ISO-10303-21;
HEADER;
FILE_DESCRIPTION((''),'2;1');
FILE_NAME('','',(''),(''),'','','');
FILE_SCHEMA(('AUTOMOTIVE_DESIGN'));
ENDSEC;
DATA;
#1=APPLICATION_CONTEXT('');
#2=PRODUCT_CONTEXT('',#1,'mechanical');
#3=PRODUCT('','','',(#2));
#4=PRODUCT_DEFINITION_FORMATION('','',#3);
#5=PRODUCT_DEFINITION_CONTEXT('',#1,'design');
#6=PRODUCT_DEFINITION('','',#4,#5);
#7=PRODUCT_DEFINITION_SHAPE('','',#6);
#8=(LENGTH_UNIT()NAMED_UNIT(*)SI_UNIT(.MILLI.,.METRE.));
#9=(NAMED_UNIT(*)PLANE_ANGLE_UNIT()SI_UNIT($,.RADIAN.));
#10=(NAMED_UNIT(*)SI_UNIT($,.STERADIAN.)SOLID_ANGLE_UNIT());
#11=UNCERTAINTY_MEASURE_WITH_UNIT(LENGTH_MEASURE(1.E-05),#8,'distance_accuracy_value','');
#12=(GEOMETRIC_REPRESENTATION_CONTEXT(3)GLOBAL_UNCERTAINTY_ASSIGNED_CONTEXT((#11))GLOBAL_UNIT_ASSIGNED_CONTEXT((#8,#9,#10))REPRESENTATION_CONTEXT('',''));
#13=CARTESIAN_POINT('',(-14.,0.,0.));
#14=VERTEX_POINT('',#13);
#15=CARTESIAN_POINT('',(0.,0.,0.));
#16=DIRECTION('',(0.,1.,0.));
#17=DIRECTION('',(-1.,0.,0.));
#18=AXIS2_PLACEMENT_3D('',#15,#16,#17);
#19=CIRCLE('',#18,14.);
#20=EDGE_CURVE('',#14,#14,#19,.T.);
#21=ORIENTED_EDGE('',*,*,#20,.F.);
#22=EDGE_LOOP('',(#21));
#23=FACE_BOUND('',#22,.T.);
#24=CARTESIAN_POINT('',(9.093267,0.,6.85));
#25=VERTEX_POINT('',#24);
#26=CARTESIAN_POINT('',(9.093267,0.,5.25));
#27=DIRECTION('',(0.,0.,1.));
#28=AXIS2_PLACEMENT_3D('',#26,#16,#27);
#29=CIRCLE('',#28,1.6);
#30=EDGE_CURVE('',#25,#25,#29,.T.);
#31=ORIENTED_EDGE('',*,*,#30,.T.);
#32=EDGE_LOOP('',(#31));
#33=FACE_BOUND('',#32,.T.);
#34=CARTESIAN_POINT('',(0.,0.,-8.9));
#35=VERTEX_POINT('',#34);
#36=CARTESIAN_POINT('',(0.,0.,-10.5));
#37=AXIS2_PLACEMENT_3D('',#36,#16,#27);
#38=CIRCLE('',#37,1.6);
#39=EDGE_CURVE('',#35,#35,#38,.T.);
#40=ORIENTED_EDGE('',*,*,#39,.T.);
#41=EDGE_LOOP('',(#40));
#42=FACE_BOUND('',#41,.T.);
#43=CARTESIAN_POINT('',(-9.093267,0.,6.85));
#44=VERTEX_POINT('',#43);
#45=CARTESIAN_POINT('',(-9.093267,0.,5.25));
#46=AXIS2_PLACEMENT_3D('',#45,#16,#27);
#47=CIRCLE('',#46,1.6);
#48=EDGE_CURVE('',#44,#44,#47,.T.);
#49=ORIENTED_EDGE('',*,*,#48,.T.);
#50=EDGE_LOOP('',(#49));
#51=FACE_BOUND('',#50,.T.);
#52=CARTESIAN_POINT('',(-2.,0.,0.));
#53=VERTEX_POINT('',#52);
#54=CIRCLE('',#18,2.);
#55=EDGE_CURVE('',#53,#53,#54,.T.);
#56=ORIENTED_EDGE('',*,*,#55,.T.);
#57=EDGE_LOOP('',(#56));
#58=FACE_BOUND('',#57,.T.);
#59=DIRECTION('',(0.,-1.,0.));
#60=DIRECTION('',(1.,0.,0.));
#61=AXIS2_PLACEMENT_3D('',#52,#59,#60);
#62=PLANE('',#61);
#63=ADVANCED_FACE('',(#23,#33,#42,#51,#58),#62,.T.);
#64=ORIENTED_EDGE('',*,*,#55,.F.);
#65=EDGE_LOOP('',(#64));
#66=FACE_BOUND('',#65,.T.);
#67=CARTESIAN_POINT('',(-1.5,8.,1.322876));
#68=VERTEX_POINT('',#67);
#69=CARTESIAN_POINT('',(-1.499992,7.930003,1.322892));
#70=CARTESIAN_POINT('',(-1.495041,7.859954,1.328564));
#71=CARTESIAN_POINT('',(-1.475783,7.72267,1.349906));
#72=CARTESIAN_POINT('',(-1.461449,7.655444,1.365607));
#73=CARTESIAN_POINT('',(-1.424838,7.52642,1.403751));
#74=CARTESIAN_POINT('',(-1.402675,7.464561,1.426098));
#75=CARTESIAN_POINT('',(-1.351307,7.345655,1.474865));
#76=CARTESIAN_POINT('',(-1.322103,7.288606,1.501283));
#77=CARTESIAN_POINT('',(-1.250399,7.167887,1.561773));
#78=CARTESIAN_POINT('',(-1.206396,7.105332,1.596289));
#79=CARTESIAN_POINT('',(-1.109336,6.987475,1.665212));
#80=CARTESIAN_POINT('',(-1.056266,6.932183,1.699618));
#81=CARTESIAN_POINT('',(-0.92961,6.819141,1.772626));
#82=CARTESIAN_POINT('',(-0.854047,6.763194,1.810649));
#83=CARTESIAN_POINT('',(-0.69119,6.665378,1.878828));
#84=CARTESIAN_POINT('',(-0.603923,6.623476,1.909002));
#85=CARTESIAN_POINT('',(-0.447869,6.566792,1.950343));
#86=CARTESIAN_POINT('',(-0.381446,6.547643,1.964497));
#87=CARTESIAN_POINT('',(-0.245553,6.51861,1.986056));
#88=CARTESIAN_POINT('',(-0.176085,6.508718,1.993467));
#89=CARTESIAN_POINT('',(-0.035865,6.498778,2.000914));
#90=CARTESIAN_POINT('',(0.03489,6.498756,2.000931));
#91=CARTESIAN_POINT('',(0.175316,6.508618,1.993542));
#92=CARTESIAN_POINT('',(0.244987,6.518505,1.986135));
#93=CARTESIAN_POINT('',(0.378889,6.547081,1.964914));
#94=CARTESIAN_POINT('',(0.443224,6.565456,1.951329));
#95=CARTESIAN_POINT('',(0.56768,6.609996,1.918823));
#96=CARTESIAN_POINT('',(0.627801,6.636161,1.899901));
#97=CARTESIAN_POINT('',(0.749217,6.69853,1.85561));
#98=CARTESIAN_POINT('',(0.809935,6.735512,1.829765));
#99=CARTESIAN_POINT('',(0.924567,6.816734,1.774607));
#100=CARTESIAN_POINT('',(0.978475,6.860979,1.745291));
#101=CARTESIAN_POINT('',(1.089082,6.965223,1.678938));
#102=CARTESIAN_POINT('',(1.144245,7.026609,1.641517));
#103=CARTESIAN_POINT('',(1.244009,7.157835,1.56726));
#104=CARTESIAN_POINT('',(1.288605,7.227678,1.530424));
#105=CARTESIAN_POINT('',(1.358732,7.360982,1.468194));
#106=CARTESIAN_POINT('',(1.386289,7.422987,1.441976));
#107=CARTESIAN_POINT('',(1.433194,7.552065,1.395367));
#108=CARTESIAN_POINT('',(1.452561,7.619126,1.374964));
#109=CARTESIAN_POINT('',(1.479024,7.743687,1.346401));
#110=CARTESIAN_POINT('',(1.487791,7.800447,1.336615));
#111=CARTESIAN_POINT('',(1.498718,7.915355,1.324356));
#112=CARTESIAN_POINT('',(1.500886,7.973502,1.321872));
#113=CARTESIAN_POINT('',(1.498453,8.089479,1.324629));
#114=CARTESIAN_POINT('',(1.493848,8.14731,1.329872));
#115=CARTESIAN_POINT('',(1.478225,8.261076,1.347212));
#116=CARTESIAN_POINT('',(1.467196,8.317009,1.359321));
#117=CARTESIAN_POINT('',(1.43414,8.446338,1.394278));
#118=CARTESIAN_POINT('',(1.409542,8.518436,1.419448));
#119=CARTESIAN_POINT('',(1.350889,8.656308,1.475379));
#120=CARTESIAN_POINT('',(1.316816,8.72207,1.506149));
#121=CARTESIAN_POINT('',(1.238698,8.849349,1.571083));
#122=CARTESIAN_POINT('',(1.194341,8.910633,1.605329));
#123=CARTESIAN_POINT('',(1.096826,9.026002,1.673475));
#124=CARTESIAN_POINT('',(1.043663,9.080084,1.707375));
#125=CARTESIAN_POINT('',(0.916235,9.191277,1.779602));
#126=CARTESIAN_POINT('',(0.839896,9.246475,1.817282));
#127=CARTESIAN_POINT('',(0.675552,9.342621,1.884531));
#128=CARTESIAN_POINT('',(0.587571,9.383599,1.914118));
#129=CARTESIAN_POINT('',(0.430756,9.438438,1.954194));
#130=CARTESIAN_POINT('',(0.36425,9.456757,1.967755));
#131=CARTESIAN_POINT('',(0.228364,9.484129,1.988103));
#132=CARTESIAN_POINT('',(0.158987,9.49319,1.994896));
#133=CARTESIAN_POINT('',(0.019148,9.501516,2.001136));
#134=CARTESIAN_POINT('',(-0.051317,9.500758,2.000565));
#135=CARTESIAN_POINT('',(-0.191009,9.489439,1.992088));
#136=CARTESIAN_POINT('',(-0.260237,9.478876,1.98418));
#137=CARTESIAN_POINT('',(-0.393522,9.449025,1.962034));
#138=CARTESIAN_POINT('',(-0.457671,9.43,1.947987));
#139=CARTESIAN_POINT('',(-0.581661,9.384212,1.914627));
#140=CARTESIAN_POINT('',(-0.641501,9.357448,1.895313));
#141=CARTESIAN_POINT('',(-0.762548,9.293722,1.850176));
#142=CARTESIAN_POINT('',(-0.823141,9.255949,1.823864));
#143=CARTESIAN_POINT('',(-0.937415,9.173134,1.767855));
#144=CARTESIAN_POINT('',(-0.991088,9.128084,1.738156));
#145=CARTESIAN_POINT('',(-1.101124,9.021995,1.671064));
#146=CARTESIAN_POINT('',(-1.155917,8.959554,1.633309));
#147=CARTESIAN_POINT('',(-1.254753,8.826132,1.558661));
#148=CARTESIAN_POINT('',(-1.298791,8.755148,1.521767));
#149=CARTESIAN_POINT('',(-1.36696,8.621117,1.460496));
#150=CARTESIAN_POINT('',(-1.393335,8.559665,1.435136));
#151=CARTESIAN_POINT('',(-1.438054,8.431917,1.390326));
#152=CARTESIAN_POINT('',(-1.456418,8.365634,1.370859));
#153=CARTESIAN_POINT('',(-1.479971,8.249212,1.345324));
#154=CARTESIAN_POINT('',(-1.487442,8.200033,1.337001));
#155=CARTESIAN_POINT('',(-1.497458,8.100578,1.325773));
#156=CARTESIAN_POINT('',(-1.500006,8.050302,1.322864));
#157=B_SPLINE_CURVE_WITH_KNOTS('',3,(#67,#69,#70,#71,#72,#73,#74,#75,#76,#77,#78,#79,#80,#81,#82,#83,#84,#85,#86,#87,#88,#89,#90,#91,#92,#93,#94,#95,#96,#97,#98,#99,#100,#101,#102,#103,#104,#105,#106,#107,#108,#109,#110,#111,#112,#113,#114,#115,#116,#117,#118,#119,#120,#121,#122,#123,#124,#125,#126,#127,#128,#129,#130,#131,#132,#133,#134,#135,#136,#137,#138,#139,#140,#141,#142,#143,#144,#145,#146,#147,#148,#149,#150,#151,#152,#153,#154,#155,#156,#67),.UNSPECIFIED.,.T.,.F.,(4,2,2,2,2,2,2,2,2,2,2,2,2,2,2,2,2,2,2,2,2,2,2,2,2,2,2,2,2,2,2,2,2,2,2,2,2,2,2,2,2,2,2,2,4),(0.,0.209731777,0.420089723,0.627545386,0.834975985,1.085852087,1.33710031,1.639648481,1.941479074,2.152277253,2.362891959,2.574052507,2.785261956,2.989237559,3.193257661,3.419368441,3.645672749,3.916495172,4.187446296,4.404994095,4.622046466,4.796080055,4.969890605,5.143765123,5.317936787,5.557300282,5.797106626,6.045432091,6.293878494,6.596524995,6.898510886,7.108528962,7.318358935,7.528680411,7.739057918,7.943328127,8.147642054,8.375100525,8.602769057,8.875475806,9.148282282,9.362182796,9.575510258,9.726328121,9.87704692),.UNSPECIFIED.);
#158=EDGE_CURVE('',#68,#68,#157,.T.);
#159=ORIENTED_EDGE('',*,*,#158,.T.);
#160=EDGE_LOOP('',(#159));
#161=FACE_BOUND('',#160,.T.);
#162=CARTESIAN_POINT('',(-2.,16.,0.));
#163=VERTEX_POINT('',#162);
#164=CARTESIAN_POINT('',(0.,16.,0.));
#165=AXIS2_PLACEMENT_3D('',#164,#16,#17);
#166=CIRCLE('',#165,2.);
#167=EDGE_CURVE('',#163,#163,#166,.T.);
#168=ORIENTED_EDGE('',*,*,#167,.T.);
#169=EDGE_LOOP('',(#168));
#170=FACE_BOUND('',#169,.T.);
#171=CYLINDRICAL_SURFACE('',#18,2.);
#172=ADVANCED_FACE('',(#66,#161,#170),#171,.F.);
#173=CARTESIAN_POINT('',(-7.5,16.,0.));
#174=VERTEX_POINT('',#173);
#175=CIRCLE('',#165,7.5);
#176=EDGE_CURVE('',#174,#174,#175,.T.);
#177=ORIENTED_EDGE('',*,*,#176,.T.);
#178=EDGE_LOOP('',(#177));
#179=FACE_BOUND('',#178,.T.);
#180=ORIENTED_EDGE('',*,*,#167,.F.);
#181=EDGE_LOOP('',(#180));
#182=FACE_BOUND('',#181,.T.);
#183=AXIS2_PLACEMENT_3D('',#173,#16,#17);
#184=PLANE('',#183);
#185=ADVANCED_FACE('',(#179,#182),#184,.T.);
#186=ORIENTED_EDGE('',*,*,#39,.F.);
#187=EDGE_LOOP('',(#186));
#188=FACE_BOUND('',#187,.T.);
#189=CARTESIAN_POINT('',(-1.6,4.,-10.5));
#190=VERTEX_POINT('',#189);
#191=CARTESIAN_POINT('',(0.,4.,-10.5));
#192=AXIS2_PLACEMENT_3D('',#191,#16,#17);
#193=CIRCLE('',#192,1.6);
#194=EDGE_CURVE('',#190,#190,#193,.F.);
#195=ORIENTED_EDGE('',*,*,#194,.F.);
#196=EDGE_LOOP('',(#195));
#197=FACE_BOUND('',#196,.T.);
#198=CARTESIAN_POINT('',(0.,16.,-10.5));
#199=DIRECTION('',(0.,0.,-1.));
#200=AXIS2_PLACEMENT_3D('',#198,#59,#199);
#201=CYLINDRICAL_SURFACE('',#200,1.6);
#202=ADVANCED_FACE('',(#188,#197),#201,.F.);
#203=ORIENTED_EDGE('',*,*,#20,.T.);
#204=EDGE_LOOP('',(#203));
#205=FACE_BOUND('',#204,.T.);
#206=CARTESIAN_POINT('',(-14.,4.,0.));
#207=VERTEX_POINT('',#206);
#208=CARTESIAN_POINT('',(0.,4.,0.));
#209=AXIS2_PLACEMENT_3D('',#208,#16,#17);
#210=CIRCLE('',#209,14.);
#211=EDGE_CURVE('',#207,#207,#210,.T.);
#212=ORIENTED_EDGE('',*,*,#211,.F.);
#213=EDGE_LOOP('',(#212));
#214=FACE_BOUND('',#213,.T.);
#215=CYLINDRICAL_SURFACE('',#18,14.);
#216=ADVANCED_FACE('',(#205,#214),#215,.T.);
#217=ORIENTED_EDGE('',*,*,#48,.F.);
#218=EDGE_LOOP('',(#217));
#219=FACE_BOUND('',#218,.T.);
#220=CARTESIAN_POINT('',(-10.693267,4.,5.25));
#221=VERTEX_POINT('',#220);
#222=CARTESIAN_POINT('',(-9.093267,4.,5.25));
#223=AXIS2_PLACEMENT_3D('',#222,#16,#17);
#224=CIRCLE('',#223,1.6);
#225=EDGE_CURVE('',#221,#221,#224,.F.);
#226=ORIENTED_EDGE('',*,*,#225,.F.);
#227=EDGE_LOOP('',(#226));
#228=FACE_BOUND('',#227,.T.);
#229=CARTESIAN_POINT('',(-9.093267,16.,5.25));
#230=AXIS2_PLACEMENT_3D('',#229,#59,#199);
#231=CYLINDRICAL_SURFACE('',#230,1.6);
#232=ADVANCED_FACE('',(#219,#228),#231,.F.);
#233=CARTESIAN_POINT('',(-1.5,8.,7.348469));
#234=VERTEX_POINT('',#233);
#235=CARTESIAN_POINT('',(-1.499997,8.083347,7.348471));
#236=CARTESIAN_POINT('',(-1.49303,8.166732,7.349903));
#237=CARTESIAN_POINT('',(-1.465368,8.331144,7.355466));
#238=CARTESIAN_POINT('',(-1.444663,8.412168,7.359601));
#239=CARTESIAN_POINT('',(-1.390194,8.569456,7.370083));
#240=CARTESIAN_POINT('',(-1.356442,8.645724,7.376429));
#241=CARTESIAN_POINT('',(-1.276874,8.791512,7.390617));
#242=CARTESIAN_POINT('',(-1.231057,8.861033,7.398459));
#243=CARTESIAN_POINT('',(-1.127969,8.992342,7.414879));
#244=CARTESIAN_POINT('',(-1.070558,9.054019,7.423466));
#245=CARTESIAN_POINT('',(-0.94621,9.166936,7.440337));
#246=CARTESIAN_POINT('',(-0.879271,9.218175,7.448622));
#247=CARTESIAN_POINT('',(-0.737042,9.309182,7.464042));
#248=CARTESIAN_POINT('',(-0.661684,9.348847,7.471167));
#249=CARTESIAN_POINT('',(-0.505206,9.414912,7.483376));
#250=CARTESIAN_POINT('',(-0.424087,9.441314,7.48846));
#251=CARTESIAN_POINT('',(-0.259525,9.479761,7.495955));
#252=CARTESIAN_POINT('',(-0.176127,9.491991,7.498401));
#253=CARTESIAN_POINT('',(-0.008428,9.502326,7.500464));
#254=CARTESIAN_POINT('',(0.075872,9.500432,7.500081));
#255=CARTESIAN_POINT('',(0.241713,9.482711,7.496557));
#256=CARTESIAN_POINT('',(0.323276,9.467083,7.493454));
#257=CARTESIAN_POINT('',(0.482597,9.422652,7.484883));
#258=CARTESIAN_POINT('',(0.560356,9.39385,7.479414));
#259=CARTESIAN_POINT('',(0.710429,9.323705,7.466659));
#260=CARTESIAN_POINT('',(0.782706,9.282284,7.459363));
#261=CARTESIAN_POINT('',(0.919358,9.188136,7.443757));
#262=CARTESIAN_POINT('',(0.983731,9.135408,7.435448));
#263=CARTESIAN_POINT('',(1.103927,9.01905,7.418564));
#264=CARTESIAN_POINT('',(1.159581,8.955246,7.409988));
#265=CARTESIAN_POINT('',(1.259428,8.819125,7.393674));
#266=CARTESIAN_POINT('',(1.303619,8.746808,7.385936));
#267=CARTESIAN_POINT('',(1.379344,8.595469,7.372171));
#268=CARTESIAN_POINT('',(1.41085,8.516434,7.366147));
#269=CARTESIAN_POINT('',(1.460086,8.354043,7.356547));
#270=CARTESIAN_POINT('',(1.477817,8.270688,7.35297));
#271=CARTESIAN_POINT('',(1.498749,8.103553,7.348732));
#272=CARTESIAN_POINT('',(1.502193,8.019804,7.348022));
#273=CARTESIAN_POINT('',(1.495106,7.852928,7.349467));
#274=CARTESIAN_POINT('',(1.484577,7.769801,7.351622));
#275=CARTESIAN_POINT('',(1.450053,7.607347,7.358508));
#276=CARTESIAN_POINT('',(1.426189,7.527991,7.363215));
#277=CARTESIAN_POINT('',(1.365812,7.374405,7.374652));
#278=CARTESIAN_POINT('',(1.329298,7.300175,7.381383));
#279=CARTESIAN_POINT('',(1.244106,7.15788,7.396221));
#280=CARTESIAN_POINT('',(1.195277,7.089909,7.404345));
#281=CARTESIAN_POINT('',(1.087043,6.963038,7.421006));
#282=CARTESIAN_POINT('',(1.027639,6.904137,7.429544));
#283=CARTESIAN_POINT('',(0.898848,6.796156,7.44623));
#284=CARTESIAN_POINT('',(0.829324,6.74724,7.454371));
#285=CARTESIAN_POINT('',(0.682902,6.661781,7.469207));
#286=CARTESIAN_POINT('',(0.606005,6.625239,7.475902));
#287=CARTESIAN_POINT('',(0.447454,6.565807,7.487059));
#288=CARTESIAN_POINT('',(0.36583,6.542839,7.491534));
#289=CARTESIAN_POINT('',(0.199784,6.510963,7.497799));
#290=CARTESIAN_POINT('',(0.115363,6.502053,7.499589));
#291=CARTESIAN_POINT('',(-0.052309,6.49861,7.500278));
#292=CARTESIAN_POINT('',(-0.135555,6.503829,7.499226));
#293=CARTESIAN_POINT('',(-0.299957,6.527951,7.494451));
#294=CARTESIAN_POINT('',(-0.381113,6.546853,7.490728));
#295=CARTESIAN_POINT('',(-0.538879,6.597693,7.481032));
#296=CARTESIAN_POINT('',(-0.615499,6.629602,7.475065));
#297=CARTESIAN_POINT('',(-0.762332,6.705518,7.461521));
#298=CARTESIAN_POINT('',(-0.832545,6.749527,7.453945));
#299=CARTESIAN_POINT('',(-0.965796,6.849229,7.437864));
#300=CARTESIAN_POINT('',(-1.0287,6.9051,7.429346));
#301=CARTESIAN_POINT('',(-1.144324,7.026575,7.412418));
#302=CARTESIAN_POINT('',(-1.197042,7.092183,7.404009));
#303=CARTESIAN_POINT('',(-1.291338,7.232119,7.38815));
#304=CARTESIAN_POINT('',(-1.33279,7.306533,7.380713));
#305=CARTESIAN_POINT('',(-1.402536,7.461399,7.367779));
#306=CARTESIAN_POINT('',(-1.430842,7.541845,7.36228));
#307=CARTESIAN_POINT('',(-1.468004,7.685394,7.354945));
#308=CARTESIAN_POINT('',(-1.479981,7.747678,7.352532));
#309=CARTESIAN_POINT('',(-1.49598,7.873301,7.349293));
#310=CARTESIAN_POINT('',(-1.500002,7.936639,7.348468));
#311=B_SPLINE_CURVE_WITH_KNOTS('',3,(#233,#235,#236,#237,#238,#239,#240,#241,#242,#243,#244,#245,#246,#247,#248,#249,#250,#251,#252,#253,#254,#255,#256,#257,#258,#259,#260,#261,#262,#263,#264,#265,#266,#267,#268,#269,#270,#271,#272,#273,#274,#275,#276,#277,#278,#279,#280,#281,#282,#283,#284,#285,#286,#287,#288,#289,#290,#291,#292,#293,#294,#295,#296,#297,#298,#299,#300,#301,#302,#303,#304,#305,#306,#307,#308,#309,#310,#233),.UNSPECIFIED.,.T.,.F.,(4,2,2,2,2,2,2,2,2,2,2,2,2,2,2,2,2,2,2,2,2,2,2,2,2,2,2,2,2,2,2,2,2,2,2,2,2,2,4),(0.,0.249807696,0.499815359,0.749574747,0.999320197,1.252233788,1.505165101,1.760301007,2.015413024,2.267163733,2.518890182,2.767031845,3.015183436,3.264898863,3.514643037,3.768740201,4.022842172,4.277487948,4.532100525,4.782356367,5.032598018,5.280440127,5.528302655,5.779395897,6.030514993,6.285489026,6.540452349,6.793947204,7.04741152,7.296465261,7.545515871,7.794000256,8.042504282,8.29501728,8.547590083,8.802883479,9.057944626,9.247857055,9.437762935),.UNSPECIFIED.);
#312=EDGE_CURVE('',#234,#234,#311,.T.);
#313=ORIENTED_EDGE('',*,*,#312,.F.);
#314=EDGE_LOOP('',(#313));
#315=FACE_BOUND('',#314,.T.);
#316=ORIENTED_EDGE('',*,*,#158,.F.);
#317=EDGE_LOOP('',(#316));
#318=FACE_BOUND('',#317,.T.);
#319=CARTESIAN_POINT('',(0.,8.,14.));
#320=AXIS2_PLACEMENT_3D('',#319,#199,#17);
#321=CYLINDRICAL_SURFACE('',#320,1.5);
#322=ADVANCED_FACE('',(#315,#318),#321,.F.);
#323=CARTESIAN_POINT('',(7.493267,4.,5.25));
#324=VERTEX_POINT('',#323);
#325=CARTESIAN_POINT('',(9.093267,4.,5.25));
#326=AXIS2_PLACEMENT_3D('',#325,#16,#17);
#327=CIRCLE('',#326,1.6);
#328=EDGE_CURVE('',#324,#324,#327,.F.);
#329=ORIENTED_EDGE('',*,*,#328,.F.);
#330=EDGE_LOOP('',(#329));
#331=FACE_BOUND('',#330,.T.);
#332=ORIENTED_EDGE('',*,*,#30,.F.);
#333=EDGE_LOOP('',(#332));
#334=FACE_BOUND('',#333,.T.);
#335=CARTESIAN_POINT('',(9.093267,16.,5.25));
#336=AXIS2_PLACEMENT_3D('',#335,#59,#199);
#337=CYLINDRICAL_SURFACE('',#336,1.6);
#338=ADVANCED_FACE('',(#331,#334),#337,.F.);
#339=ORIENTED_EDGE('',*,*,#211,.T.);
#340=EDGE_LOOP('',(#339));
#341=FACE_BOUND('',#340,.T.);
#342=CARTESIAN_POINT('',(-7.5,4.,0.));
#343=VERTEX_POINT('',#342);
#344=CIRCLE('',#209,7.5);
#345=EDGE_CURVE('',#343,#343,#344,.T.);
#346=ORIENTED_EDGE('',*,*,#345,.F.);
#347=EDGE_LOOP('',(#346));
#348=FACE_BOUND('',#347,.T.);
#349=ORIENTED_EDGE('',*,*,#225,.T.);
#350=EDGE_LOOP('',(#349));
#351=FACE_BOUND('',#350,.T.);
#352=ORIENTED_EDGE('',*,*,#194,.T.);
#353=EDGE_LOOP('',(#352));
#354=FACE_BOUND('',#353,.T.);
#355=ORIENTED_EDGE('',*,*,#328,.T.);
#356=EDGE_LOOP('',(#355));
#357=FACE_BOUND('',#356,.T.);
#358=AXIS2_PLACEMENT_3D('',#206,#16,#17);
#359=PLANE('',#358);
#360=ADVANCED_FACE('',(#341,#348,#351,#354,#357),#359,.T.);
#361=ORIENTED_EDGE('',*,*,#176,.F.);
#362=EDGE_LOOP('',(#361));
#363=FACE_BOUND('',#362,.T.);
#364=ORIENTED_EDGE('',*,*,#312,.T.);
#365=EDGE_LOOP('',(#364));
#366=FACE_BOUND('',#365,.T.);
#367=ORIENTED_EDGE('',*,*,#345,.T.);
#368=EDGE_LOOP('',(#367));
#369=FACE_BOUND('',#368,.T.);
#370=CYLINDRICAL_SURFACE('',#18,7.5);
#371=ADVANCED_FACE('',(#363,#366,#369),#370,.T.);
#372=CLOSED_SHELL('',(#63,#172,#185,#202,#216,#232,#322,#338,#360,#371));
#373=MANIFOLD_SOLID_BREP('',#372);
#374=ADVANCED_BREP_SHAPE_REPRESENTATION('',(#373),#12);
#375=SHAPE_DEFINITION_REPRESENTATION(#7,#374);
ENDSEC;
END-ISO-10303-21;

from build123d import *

# Parameters (mm, degrees)
SKETCH2_R          = 1.6
CUT_EXTRUDE1_DEPTH = 17
SKETCH3_R          = 1.5
CUT_EXTRUDE2_DEPTH = 15


with BuildPart() as part:
    # Sketch1 → Revolve1 (revolve)
    with BuildSketch(Plane.XY):
        Polygon((-14, 0), (-14, 4), (-7.5, 4), (-7.5, 16), (-2, 16), (-2, 0), align=None)
    revolve(axis=Axis((0, 0, 0), (0, -1, 0)))

    # Sketch2 → Cut-Extrude1 (cut, through all)
    with BuildSketch(Plane(origin=(0, 0, 0), x_dir=(1, 0, 0), z_dir=(0, 1, 0))):
        with Locations((0, 10.5)):
            Circle(SKETCH2_R)
        with Locations((9.09326674, -5.25)):
            Circle(SKETCH2_R)
        with Locations((-9.09326674, -5.25)):
            Circle(SKETCH2_R)
    extrude(amount=CUT_EXTRUDE1_DEPTH, mode=Mode.SUBTRACT)

    # Sketch3 → Cut-Extrude2 (cut, through all)
    with BuildSketch(Plane.XY):
        with Locations((0, 8)):
            Circle(SKETCH3_R)
    extrude(amount=CUT_EXTRUDE2_DEPTH, mode=Mode.SUBTRACT)


solid = part.part
